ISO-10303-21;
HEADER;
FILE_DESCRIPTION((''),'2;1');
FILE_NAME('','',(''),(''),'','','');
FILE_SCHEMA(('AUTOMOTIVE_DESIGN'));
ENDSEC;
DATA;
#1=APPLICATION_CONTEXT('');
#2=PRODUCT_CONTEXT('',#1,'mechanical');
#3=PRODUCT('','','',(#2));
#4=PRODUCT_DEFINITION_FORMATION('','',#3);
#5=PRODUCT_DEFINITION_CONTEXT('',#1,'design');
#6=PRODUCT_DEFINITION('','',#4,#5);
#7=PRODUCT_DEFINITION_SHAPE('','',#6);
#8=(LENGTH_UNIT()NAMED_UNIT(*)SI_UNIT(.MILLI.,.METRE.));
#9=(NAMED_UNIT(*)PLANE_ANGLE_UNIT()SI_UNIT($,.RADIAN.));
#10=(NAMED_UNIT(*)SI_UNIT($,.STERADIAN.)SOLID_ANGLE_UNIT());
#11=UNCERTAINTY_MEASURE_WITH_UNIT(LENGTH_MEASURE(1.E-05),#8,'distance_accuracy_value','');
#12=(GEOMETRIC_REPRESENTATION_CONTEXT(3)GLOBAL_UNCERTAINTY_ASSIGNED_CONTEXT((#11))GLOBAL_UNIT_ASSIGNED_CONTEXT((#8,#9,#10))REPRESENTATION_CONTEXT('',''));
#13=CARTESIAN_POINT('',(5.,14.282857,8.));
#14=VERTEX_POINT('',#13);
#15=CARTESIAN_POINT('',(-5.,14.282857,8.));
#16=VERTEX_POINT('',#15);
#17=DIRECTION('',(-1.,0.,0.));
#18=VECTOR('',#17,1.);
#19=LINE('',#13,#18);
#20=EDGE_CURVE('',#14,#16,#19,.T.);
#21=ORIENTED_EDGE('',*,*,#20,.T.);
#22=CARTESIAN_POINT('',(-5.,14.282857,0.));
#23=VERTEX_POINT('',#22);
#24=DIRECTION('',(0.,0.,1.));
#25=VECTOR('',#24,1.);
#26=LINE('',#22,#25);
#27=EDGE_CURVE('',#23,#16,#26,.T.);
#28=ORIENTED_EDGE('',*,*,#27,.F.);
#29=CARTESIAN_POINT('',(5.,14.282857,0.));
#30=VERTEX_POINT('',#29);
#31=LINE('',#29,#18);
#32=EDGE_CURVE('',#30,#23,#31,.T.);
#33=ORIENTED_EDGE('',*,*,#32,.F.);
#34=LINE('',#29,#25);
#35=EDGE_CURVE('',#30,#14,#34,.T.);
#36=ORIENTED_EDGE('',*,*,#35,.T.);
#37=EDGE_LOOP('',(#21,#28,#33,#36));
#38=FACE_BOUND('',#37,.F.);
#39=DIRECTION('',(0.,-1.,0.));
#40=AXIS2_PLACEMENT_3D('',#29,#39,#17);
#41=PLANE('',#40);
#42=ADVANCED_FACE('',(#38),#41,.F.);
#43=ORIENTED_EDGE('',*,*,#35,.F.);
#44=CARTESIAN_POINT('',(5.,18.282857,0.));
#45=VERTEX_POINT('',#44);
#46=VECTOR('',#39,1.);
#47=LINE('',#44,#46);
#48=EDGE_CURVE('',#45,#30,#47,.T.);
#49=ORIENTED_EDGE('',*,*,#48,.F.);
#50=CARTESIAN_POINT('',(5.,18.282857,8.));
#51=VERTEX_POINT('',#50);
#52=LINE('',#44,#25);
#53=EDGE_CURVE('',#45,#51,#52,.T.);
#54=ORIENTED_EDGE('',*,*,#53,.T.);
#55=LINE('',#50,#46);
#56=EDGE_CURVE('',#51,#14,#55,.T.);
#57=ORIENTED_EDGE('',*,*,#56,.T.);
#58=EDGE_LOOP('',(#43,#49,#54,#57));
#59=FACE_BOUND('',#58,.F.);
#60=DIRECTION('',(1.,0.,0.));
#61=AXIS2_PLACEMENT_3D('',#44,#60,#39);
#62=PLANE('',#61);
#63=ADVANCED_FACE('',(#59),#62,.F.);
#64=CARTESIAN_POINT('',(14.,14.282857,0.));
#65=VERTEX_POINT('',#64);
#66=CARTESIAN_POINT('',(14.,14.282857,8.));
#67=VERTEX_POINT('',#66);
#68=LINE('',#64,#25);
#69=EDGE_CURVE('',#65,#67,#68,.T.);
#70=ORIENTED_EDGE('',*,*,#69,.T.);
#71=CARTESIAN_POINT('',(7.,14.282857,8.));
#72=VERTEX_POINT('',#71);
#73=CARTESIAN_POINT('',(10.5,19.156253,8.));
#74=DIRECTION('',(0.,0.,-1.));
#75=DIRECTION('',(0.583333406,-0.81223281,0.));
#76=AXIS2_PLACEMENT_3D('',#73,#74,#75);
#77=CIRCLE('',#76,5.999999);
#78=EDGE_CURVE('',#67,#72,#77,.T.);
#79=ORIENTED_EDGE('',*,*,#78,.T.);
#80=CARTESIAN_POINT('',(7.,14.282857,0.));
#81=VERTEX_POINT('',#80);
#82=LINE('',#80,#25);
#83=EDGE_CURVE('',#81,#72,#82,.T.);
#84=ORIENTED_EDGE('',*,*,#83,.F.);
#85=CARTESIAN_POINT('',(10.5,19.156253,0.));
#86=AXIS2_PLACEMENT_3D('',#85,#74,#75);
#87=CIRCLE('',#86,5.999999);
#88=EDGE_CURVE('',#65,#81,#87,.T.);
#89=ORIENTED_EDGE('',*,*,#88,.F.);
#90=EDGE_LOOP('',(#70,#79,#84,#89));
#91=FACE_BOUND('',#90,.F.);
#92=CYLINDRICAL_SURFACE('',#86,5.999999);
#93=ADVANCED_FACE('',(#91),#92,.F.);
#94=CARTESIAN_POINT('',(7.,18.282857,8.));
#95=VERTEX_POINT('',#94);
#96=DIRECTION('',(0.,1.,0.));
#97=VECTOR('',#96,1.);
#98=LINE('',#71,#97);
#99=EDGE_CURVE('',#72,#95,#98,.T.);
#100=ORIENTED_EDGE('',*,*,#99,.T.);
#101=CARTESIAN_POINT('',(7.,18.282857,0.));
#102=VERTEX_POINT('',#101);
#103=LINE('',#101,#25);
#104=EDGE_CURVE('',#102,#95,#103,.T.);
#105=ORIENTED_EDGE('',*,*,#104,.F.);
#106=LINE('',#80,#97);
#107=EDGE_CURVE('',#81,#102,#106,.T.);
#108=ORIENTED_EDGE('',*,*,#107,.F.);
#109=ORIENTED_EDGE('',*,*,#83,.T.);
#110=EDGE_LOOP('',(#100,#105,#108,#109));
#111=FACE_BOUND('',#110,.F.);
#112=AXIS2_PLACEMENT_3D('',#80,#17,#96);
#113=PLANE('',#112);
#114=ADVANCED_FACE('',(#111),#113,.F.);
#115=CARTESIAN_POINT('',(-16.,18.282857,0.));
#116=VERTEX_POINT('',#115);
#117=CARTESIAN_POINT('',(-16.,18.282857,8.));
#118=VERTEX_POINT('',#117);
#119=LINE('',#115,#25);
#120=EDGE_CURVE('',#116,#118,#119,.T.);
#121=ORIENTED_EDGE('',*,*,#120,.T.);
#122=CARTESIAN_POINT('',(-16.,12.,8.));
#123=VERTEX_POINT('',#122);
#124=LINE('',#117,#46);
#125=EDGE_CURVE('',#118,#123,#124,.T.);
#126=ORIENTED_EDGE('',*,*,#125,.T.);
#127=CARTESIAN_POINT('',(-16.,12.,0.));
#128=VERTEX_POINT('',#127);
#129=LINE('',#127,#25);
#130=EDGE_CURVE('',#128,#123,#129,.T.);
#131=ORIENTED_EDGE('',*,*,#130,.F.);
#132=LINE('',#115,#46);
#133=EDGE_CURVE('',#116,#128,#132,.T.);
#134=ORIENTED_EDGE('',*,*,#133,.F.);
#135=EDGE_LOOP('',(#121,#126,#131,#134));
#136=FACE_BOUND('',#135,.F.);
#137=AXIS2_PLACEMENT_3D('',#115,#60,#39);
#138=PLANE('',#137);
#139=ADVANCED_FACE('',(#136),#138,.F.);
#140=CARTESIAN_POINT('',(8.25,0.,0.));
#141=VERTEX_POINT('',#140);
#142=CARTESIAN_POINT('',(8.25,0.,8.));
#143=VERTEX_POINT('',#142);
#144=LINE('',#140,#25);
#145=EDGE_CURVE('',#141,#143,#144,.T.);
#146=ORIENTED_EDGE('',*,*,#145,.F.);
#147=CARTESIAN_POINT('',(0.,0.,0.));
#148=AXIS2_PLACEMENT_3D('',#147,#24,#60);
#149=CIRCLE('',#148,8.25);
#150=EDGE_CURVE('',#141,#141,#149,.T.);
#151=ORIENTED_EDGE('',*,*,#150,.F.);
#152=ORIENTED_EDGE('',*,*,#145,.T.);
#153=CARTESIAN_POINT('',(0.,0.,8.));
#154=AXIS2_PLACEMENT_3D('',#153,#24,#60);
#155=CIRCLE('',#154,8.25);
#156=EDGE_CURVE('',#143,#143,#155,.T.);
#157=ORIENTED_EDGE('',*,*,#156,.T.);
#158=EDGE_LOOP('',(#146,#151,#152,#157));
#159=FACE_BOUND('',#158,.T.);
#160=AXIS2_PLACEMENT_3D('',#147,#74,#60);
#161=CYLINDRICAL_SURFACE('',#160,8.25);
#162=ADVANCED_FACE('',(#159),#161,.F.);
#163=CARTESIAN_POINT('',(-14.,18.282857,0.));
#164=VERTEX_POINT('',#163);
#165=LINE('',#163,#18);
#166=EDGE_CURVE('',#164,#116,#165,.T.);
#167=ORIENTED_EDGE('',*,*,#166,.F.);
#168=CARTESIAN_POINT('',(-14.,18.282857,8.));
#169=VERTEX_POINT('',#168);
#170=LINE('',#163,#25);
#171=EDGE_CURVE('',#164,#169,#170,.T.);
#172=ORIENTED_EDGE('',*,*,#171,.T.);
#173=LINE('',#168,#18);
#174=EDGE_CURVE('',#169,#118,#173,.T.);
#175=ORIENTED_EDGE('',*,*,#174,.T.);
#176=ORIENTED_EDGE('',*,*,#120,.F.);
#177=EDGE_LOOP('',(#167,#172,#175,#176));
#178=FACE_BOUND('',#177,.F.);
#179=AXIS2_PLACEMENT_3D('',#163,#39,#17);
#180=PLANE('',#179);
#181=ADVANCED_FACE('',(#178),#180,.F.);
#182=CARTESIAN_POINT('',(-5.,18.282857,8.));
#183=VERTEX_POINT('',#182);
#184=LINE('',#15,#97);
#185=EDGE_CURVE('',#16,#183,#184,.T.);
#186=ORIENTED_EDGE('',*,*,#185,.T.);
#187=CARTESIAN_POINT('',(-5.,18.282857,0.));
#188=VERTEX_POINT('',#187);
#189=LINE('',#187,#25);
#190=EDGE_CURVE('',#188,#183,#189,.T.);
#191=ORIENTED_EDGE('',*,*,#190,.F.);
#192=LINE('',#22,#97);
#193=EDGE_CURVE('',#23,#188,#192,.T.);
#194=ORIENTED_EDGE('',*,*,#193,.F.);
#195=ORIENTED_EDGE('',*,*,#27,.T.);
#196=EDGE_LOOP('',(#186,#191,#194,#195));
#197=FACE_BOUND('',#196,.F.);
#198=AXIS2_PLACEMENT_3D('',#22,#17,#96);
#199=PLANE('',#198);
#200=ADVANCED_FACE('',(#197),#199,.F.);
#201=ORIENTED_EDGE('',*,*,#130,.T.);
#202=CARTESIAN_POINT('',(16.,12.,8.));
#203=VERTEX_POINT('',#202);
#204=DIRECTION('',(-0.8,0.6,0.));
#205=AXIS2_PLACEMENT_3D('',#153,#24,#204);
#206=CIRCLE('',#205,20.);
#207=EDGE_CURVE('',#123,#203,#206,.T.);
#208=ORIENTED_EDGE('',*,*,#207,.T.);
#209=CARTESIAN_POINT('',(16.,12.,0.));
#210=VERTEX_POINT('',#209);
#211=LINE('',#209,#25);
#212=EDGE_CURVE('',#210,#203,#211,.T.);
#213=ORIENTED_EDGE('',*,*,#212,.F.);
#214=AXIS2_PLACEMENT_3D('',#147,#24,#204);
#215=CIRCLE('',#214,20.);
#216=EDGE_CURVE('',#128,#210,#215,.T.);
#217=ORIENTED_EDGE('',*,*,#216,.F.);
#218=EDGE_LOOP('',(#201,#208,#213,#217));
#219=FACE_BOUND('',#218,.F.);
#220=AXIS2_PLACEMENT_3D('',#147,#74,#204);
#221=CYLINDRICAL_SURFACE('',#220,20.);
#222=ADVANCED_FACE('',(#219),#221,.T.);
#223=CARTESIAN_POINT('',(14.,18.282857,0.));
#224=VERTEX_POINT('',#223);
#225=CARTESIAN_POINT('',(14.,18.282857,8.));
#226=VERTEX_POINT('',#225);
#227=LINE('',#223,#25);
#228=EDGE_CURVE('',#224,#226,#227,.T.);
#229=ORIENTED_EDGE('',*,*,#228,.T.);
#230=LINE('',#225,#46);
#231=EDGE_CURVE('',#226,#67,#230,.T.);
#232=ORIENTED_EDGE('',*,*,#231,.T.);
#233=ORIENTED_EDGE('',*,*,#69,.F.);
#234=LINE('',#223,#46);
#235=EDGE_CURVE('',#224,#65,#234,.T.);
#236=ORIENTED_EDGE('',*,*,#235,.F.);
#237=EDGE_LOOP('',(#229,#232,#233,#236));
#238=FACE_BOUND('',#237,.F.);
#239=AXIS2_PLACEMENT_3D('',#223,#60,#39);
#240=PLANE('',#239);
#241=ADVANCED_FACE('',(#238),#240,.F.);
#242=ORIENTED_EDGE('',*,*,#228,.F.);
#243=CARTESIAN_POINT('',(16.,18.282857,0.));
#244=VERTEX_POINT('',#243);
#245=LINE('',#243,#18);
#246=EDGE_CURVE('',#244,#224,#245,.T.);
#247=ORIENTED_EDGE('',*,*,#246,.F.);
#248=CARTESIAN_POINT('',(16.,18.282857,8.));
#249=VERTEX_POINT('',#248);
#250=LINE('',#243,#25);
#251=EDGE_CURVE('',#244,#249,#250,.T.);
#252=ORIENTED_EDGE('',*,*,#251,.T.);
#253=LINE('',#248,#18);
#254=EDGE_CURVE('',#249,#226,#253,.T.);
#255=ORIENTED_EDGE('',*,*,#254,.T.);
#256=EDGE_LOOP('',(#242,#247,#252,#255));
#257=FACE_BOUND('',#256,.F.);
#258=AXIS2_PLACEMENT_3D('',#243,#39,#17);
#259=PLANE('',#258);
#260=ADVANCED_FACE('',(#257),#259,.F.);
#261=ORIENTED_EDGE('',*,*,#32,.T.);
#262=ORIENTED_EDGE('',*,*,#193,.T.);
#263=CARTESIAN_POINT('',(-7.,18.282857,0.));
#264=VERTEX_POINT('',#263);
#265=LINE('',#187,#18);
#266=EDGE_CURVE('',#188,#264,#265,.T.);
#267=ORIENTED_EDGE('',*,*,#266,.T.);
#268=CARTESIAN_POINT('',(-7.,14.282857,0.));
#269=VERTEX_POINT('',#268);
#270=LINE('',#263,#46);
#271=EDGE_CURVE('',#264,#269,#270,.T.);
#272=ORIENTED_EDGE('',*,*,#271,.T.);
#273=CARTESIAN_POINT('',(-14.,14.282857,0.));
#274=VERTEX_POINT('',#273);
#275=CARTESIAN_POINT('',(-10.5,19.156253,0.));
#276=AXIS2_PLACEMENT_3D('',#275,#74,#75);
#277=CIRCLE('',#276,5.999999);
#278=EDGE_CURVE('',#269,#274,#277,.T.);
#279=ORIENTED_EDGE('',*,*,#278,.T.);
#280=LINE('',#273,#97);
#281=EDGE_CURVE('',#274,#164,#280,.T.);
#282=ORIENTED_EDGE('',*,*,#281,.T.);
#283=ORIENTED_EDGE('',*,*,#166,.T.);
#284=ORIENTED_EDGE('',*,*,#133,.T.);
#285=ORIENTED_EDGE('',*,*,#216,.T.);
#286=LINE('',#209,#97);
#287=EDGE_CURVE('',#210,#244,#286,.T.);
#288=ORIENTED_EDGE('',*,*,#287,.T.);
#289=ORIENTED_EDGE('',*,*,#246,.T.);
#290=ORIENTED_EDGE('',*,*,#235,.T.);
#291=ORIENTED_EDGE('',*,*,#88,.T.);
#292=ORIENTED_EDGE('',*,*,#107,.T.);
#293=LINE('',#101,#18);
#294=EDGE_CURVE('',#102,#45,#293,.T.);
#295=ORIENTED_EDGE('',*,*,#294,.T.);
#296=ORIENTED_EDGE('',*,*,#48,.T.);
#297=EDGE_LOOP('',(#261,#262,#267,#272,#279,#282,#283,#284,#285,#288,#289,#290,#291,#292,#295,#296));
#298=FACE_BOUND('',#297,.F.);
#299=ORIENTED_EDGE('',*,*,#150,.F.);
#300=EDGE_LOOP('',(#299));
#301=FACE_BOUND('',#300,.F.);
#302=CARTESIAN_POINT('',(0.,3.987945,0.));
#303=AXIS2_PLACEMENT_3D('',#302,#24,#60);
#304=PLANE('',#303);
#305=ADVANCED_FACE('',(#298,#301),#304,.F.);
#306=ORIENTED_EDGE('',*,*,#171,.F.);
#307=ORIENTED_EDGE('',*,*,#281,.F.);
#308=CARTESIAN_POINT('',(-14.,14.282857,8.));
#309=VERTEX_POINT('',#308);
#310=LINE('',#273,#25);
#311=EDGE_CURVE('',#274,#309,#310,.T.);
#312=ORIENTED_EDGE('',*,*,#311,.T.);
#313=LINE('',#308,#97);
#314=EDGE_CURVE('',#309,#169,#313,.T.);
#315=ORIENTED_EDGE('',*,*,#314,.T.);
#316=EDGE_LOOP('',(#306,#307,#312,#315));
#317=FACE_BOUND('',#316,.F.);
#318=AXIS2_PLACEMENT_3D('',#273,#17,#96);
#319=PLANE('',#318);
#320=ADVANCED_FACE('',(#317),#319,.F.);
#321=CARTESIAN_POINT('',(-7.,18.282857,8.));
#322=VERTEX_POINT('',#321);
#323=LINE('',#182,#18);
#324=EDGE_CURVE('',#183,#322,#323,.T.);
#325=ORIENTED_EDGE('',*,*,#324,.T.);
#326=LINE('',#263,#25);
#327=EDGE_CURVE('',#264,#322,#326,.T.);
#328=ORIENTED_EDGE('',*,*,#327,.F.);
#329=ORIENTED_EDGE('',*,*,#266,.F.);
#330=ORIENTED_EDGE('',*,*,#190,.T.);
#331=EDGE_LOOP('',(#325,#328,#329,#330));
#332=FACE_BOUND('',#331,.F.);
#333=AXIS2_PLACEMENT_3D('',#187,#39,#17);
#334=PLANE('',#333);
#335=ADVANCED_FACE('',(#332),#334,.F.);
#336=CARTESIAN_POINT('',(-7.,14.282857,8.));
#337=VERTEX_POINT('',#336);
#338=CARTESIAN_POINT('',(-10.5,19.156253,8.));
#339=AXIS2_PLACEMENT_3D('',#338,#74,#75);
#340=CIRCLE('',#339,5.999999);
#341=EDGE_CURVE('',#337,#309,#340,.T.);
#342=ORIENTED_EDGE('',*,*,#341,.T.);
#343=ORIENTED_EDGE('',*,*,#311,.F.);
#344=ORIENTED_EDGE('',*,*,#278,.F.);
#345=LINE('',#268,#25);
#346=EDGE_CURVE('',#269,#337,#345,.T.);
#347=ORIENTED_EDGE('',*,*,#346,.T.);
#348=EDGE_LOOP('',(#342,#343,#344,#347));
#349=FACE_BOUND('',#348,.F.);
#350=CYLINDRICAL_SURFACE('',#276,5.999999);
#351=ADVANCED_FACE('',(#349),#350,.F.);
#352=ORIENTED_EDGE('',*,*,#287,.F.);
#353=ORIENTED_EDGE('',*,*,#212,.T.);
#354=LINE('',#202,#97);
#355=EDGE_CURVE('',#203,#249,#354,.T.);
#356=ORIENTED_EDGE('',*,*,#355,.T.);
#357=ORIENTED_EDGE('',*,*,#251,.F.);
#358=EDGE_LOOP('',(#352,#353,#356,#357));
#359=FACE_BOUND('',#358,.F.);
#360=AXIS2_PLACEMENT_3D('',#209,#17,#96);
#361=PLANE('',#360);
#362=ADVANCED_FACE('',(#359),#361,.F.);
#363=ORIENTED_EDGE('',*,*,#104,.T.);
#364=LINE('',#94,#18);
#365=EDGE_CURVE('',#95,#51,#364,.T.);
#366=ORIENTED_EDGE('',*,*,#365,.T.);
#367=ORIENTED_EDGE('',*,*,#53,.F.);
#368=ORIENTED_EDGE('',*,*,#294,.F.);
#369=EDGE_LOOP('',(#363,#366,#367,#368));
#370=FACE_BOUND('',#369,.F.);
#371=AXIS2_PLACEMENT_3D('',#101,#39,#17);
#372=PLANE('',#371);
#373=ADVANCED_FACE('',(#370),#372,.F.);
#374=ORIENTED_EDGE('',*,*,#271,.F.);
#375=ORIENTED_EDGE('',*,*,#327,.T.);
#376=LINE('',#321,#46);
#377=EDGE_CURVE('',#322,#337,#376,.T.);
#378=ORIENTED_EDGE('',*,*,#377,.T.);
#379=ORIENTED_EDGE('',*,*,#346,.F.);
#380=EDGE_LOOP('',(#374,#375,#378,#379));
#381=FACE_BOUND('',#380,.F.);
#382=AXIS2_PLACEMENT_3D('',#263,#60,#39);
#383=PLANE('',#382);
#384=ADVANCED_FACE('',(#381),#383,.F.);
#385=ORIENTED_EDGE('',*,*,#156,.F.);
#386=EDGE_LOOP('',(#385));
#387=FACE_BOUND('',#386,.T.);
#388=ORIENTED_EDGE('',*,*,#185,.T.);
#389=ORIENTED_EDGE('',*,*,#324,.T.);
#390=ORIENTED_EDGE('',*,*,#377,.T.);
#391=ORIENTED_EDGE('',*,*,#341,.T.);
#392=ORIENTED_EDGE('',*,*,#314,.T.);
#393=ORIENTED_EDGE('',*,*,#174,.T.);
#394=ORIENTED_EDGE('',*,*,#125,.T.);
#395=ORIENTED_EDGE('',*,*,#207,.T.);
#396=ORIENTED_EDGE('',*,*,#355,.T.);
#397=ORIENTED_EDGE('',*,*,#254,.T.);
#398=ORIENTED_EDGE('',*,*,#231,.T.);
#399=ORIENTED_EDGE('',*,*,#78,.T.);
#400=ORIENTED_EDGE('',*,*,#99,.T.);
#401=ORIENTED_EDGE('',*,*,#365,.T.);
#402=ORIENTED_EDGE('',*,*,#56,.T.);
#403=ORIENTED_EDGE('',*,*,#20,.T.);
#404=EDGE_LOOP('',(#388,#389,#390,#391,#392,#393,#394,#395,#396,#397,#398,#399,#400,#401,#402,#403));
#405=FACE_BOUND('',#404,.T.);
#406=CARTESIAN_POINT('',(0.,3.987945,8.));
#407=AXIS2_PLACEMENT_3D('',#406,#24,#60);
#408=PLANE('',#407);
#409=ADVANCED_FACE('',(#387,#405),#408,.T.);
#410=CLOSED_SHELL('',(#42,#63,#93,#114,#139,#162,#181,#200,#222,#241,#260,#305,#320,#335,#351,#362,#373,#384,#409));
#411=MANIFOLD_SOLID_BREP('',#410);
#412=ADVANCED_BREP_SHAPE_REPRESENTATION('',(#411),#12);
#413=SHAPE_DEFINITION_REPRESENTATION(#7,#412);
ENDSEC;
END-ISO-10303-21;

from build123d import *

# Parameters (mm, degrees)
F0_R     = 8.25
F1_DEPTH = 8


with BuildPart() as f1:
    # F0 (on Top) → F1 (new body)
    with BuildSketch(Plane.XY):
        with BuildLine():
            Line((-16, 18.282857), (-16, 12))
            ThreePointArc((-16, 12), (0, -20), (16, 12))
            Line((16, 12), (16, 18.282857))
            Line((16, 18.282857), (14, 18.282857))
            Line((14, 18.282857), (14, 14.282857))
            ThreePointArc((14, 14.282857), (10.5, 13.156254), (7, 14.282857))
            Line((7, 14.282857), (7, 18.282857))
            Line((7, 18.282857), (5, 18.282857))
            Line((5, 18.282857), (5, 14.282857))
            Line((5, 14.282857), (0, 14.282857))
            Line((0, 14.282857), (-5, 14.282857))
            Line((-5, 14.282857), (-5, 18.282857))
            Line((-5, 18.282857), (-7, 18.282857))
            Line((-7, 18.282857), (-7, 14.282857))
            ThreePointArc((-7, 14.282857), (-10.5, 13.156254), (-14, 14.282857))
            Line((-14, 14.282857), (-14, 18.282857))
            Line((-14, 18.282857), (-16, 18.282857))
        make_face()
        Circle(F0_R, mode=Mode.SUBTRACT)
    extrude(amount=F1_DEPTH)


solid = f1.part
